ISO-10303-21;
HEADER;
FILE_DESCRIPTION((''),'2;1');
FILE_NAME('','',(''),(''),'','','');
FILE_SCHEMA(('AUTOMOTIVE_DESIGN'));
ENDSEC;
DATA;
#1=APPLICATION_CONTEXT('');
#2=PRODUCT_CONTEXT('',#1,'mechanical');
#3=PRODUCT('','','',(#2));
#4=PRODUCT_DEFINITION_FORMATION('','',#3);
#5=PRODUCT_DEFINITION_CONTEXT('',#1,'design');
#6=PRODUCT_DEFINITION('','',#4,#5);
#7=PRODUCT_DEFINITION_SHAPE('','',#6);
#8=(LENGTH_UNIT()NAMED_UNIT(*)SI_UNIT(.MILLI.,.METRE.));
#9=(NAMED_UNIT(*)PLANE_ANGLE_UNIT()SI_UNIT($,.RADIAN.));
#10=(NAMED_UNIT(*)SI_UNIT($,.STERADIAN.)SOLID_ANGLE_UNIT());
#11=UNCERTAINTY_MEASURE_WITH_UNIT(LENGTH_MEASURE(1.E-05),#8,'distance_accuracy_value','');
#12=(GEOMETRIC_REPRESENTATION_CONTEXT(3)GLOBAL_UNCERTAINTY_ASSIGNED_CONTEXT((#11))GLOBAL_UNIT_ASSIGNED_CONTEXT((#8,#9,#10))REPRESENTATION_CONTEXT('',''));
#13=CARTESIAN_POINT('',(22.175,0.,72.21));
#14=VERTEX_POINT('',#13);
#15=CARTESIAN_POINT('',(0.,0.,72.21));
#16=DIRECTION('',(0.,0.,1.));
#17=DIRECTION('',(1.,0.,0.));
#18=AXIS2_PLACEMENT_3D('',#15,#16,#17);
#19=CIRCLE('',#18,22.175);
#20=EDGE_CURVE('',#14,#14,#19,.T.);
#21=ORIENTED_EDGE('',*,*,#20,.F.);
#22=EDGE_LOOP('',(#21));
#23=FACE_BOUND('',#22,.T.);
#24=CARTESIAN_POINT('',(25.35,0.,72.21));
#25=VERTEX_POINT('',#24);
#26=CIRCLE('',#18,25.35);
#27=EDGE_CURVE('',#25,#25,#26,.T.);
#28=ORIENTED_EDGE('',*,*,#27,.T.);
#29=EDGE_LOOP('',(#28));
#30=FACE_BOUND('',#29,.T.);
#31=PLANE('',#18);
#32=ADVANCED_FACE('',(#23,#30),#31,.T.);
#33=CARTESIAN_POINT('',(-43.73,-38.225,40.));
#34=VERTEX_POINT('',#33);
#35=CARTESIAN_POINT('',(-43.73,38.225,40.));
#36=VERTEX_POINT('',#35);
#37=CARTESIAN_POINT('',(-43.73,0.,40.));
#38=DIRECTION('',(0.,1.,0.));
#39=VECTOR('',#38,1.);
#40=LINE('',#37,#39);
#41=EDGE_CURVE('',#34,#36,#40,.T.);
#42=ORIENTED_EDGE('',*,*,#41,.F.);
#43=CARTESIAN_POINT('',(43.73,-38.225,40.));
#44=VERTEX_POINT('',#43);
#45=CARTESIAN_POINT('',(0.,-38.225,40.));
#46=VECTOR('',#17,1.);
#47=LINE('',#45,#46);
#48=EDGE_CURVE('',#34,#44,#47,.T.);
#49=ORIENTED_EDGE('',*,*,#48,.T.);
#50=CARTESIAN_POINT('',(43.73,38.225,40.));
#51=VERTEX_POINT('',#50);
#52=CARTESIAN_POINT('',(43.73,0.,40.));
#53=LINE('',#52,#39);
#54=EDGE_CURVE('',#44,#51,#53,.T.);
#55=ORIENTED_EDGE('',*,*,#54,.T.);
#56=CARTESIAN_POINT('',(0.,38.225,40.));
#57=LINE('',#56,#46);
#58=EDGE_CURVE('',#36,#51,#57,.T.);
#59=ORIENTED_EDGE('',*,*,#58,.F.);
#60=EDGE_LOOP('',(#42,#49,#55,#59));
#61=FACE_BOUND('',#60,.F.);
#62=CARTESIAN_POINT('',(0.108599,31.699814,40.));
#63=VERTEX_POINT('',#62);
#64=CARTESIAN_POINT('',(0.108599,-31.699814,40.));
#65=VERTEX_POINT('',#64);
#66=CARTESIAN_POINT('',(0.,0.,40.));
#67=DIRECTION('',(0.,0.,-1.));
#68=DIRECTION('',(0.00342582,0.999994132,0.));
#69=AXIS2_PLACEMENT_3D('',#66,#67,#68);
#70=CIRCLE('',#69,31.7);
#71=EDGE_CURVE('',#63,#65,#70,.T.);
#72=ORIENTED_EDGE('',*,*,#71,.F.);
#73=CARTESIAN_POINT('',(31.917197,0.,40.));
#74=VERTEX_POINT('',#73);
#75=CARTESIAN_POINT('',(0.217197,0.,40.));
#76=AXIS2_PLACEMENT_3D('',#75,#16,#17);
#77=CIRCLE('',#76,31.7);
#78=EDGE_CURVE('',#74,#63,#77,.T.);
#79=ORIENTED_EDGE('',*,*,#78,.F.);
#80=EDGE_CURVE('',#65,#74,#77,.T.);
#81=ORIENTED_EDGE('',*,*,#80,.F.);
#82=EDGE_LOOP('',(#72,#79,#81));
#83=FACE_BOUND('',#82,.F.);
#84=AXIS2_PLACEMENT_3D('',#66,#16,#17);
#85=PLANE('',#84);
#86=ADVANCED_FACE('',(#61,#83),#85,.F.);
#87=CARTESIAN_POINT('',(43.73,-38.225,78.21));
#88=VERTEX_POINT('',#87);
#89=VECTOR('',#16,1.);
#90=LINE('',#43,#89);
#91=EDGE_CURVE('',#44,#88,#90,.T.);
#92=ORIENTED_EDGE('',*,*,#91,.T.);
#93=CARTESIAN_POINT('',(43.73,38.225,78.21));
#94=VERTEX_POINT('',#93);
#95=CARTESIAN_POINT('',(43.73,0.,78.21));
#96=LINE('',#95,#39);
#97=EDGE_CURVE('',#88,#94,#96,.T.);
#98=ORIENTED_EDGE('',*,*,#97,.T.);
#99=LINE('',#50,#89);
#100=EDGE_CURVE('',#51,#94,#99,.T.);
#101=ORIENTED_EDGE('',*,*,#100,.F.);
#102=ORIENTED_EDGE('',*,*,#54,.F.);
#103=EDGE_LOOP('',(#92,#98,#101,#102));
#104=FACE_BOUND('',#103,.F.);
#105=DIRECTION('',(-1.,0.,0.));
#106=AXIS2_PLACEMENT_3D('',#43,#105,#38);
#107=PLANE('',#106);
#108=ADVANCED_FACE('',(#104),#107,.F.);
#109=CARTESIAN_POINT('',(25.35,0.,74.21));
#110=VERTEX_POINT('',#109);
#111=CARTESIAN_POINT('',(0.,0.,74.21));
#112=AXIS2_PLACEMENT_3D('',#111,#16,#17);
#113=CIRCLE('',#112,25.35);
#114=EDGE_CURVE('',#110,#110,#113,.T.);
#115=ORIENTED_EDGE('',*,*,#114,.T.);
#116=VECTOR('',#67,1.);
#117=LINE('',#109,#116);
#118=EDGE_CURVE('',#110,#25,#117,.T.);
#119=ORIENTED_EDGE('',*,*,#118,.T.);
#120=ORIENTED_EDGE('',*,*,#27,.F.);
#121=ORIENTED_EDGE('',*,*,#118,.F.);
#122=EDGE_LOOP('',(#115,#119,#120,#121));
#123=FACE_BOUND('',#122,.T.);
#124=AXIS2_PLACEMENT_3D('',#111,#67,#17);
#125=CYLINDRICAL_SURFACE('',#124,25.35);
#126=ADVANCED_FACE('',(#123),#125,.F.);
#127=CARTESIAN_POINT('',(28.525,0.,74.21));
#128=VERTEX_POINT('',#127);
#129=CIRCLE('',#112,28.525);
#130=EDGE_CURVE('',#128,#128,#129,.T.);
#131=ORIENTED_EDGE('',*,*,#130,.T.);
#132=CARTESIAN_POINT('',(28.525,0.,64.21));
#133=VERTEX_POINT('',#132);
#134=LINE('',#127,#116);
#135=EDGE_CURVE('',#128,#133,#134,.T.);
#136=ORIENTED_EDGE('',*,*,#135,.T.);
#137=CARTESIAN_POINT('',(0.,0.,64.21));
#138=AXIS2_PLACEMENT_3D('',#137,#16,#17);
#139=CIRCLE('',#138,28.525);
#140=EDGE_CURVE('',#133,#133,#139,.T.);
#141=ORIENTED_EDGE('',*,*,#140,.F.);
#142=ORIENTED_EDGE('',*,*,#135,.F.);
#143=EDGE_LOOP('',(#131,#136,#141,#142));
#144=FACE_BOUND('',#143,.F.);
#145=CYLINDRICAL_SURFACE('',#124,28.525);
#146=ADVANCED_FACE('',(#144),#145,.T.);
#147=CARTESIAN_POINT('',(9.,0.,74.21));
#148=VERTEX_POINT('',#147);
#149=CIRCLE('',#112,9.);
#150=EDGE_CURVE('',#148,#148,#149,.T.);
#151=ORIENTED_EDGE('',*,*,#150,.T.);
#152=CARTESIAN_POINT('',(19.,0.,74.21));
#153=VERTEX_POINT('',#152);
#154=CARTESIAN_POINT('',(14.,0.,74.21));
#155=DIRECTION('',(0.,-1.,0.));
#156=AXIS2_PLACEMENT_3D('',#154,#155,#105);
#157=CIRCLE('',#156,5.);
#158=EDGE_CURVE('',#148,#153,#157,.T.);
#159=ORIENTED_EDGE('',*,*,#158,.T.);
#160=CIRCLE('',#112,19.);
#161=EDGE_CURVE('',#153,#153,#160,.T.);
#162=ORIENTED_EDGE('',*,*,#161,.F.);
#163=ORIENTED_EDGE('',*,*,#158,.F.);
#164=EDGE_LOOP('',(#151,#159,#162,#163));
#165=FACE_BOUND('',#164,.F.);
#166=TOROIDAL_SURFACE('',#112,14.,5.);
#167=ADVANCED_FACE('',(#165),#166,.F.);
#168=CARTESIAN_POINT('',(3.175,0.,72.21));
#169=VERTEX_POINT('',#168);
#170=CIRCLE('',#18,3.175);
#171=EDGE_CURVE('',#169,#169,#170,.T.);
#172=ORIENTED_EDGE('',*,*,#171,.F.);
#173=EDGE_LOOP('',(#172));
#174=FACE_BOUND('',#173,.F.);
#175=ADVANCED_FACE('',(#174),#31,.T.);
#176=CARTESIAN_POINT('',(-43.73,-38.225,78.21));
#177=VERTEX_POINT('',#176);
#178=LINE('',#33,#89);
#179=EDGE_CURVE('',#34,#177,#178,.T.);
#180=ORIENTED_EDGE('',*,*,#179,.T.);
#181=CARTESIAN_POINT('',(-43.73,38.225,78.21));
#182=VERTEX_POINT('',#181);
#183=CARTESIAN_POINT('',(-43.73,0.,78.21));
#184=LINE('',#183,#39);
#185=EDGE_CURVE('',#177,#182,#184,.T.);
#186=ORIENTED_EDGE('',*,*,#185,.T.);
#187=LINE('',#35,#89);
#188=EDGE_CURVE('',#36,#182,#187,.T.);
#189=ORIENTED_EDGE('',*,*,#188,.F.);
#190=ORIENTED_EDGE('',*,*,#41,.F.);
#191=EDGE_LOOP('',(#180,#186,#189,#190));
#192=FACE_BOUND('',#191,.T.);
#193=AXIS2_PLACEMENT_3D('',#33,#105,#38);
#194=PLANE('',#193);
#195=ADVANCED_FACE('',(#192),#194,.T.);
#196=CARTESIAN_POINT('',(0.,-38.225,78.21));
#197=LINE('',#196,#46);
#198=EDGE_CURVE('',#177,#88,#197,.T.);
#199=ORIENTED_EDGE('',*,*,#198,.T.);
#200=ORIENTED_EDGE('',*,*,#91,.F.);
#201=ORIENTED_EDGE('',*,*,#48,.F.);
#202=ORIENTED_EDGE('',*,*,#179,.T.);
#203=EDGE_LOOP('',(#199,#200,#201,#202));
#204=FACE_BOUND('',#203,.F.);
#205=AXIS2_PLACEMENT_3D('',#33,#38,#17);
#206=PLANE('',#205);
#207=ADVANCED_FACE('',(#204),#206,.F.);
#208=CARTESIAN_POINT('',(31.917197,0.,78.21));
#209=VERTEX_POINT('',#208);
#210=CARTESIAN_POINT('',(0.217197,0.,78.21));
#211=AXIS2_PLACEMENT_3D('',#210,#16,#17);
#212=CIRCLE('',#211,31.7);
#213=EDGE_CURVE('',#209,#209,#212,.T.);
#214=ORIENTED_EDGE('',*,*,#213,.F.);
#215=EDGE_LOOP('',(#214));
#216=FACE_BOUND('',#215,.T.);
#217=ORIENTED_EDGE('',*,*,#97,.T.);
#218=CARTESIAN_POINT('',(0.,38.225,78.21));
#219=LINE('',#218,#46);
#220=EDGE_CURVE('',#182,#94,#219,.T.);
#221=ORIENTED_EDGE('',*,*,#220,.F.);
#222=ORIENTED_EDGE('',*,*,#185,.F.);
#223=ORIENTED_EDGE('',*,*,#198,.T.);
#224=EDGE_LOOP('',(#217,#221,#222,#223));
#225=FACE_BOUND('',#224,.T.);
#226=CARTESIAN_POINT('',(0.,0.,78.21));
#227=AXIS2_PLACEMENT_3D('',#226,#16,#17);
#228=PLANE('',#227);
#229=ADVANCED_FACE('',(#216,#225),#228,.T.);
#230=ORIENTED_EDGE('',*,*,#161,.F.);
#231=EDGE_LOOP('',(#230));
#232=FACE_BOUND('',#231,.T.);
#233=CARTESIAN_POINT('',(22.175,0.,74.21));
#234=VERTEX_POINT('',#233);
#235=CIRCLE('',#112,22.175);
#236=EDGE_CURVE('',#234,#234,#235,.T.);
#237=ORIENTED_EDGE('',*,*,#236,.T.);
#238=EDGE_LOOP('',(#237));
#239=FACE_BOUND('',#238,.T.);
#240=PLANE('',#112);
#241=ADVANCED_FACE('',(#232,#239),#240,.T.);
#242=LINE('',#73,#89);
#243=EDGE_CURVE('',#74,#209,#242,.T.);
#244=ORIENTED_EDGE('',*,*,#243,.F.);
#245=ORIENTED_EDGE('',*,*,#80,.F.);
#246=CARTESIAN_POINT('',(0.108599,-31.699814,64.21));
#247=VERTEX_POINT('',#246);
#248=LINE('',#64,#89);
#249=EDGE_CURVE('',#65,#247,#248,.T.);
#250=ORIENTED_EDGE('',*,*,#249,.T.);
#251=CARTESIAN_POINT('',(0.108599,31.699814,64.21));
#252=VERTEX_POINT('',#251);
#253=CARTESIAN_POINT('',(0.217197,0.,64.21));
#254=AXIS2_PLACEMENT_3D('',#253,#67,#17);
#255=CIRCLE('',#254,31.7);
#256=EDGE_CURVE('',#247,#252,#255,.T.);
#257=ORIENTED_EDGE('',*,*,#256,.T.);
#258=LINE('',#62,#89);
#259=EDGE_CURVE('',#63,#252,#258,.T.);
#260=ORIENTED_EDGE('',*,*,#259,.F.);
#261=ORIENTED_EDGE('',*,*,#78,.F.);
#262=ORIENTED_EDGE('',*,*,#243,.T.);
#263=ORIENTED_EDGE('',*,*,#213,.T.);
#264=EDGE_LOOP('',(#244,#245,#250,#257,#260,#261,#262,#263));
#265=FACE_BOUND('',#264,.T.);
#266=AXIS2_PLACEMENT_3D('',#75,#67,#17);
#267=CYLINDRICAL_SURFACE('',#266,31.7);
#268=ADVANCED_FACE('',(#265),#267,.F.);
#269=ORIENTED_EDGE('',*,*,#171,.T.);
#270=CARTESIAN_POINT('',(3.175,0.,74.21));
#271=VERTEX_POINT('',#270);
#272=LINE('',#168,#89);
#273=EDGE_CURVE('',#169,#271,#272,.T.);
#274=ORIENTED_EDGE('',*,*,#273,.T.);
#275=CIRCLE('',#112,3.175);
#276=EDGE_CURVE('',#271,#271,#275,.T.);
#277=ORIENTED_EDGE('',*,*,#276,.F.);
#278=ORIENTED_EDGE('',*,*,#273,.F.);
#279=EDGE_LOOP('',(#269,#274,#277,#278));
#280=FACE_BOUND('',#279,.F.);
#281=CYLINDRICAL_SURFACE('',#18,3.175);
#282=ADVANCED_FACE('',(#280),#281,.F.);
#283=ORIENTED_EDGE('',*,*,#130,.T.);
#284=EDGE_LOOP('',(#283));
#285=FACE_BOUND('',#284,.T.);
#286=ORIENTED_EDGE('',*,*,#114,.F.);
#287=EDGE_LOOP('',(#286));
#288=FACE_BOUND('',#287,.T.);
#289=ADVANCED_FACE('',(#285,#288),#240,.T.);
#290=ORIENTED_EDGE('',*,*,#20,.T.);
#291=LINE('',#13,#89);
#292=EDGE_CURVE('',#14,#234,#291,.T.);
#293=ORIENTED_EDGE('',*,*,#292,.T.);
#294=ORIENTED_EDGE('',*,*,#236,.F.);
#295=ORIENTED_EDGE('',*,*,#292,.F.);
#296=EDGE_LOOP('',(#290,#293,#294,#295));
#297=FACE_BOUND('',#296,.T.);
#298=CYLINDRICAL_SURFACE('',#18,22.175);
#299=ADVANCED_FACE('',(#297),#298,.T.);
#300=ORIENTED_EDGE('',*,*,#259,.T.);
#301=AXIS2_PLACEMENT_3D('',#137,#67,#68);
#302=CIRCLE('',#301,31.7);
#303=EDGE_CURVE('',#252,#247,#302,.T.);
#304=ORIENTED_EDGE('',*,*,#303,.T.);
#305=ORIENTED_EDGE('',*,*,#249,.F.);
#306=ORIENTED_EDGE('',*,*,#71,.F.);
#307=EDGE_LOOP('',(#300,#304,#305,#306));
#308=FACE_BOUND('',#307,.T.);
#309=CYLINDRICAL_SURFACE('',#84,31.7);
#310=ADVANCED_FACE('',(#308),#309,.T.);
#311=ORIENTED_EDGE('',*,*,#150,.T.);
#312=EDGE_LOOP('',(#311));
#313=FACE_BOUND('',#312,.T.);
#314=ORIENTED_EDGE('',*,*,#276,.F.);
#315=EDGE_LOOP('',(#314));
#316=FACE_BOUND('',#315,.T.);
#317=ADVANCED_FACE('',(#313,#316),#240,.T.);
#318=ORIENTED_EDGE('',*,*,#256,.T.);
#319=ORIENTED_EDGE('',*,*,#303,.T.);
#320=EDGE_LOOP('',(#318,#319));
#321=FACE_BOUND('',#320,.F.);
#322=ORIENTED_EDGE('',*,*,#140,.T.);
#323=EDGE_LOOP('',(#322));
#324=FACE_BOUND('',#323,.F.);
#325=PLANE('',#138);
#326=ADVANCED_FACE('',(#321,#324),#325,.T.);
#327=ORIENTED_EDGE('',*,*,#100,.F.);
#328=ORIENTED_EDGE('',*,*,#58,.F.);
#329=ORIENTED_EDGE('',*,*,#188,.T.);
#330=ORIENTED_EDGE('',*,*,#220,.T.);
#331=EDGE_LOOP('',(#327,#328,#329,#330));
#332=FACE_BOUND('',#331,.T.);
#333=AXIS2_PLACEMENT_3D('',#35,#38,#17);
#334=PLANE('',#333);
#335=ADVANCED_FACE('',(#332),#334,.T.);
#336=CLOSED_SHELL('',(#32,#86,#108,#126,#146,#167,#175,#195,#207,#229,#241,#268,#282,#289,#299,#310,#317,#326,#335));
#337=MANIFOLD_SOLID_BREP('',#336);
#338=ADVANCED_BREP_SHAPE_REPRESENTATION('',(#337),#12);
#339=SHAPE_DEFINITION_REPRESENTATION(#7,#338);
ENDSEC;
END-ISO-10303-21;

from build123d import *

# Parameters (mm, degrees)
SKETCH003_W = 87.46
SKETCH003_H = 76.45
SKETCH003_R = 31.7
PAD_DEPTH   = 38.21


with BuildPart() as female_shell:
    # Sketch003 → Pad (new body)
    with BuildSketch(Plane.XY):
        Rectangle(SKETCH003_W, SKETCH003_H)
        with Locations((0.217197, 0)):
            Circle(SKETCH003_R, mode=Mode.SUBTRACT)
    extrude(amount=PAD_DEPTH)


with BuildPart() as female_shell_1:
    # Body002 placement: moved
    add(female_shell.part.moved(Location((0, 0, 40))))


with BuildPart() as female_part:
    # Sketch002 → Revolution002 (revolve)
    with BuildSketch(Plane.XZ):
        with BuildLine():
            Line((0, 40), (31.7, 40))
            Line((31.7, 40), (31.7, 64.21))
            Line((28.525, 64.21), (31.7, 64.21))
            Line((28.525, 74.21), (28.525, 64.21))
            Line((28.525, 74.21), (25.35, 74.21))
            Line((25.35, 74.21), (25.35, 72.21))
            Line((25.35, 72.21), (22.175, 72.21))
            Line((22.175, 72.21), (22.175, 74.21))
            Line((22.175, 74.21), (19, 74.21))
            ThreePointArc((9, 74.21), (14, 69.21), (19, 74.21))
            Line((9, 74.21), (3.175, 74.21))
            Line((3.175, 72.21), (3.175, 74.21))
            Line((0, 72.21), (3.175, 72.21))
            Line((0, 72.21), (0, 40))
        make_face()
    revolve(axis=Axis((0, 0, 0), (0, 0, 1)))

    # Boolean: union female-shell
    add(female_shell_1.part)


solid = female_part.part
